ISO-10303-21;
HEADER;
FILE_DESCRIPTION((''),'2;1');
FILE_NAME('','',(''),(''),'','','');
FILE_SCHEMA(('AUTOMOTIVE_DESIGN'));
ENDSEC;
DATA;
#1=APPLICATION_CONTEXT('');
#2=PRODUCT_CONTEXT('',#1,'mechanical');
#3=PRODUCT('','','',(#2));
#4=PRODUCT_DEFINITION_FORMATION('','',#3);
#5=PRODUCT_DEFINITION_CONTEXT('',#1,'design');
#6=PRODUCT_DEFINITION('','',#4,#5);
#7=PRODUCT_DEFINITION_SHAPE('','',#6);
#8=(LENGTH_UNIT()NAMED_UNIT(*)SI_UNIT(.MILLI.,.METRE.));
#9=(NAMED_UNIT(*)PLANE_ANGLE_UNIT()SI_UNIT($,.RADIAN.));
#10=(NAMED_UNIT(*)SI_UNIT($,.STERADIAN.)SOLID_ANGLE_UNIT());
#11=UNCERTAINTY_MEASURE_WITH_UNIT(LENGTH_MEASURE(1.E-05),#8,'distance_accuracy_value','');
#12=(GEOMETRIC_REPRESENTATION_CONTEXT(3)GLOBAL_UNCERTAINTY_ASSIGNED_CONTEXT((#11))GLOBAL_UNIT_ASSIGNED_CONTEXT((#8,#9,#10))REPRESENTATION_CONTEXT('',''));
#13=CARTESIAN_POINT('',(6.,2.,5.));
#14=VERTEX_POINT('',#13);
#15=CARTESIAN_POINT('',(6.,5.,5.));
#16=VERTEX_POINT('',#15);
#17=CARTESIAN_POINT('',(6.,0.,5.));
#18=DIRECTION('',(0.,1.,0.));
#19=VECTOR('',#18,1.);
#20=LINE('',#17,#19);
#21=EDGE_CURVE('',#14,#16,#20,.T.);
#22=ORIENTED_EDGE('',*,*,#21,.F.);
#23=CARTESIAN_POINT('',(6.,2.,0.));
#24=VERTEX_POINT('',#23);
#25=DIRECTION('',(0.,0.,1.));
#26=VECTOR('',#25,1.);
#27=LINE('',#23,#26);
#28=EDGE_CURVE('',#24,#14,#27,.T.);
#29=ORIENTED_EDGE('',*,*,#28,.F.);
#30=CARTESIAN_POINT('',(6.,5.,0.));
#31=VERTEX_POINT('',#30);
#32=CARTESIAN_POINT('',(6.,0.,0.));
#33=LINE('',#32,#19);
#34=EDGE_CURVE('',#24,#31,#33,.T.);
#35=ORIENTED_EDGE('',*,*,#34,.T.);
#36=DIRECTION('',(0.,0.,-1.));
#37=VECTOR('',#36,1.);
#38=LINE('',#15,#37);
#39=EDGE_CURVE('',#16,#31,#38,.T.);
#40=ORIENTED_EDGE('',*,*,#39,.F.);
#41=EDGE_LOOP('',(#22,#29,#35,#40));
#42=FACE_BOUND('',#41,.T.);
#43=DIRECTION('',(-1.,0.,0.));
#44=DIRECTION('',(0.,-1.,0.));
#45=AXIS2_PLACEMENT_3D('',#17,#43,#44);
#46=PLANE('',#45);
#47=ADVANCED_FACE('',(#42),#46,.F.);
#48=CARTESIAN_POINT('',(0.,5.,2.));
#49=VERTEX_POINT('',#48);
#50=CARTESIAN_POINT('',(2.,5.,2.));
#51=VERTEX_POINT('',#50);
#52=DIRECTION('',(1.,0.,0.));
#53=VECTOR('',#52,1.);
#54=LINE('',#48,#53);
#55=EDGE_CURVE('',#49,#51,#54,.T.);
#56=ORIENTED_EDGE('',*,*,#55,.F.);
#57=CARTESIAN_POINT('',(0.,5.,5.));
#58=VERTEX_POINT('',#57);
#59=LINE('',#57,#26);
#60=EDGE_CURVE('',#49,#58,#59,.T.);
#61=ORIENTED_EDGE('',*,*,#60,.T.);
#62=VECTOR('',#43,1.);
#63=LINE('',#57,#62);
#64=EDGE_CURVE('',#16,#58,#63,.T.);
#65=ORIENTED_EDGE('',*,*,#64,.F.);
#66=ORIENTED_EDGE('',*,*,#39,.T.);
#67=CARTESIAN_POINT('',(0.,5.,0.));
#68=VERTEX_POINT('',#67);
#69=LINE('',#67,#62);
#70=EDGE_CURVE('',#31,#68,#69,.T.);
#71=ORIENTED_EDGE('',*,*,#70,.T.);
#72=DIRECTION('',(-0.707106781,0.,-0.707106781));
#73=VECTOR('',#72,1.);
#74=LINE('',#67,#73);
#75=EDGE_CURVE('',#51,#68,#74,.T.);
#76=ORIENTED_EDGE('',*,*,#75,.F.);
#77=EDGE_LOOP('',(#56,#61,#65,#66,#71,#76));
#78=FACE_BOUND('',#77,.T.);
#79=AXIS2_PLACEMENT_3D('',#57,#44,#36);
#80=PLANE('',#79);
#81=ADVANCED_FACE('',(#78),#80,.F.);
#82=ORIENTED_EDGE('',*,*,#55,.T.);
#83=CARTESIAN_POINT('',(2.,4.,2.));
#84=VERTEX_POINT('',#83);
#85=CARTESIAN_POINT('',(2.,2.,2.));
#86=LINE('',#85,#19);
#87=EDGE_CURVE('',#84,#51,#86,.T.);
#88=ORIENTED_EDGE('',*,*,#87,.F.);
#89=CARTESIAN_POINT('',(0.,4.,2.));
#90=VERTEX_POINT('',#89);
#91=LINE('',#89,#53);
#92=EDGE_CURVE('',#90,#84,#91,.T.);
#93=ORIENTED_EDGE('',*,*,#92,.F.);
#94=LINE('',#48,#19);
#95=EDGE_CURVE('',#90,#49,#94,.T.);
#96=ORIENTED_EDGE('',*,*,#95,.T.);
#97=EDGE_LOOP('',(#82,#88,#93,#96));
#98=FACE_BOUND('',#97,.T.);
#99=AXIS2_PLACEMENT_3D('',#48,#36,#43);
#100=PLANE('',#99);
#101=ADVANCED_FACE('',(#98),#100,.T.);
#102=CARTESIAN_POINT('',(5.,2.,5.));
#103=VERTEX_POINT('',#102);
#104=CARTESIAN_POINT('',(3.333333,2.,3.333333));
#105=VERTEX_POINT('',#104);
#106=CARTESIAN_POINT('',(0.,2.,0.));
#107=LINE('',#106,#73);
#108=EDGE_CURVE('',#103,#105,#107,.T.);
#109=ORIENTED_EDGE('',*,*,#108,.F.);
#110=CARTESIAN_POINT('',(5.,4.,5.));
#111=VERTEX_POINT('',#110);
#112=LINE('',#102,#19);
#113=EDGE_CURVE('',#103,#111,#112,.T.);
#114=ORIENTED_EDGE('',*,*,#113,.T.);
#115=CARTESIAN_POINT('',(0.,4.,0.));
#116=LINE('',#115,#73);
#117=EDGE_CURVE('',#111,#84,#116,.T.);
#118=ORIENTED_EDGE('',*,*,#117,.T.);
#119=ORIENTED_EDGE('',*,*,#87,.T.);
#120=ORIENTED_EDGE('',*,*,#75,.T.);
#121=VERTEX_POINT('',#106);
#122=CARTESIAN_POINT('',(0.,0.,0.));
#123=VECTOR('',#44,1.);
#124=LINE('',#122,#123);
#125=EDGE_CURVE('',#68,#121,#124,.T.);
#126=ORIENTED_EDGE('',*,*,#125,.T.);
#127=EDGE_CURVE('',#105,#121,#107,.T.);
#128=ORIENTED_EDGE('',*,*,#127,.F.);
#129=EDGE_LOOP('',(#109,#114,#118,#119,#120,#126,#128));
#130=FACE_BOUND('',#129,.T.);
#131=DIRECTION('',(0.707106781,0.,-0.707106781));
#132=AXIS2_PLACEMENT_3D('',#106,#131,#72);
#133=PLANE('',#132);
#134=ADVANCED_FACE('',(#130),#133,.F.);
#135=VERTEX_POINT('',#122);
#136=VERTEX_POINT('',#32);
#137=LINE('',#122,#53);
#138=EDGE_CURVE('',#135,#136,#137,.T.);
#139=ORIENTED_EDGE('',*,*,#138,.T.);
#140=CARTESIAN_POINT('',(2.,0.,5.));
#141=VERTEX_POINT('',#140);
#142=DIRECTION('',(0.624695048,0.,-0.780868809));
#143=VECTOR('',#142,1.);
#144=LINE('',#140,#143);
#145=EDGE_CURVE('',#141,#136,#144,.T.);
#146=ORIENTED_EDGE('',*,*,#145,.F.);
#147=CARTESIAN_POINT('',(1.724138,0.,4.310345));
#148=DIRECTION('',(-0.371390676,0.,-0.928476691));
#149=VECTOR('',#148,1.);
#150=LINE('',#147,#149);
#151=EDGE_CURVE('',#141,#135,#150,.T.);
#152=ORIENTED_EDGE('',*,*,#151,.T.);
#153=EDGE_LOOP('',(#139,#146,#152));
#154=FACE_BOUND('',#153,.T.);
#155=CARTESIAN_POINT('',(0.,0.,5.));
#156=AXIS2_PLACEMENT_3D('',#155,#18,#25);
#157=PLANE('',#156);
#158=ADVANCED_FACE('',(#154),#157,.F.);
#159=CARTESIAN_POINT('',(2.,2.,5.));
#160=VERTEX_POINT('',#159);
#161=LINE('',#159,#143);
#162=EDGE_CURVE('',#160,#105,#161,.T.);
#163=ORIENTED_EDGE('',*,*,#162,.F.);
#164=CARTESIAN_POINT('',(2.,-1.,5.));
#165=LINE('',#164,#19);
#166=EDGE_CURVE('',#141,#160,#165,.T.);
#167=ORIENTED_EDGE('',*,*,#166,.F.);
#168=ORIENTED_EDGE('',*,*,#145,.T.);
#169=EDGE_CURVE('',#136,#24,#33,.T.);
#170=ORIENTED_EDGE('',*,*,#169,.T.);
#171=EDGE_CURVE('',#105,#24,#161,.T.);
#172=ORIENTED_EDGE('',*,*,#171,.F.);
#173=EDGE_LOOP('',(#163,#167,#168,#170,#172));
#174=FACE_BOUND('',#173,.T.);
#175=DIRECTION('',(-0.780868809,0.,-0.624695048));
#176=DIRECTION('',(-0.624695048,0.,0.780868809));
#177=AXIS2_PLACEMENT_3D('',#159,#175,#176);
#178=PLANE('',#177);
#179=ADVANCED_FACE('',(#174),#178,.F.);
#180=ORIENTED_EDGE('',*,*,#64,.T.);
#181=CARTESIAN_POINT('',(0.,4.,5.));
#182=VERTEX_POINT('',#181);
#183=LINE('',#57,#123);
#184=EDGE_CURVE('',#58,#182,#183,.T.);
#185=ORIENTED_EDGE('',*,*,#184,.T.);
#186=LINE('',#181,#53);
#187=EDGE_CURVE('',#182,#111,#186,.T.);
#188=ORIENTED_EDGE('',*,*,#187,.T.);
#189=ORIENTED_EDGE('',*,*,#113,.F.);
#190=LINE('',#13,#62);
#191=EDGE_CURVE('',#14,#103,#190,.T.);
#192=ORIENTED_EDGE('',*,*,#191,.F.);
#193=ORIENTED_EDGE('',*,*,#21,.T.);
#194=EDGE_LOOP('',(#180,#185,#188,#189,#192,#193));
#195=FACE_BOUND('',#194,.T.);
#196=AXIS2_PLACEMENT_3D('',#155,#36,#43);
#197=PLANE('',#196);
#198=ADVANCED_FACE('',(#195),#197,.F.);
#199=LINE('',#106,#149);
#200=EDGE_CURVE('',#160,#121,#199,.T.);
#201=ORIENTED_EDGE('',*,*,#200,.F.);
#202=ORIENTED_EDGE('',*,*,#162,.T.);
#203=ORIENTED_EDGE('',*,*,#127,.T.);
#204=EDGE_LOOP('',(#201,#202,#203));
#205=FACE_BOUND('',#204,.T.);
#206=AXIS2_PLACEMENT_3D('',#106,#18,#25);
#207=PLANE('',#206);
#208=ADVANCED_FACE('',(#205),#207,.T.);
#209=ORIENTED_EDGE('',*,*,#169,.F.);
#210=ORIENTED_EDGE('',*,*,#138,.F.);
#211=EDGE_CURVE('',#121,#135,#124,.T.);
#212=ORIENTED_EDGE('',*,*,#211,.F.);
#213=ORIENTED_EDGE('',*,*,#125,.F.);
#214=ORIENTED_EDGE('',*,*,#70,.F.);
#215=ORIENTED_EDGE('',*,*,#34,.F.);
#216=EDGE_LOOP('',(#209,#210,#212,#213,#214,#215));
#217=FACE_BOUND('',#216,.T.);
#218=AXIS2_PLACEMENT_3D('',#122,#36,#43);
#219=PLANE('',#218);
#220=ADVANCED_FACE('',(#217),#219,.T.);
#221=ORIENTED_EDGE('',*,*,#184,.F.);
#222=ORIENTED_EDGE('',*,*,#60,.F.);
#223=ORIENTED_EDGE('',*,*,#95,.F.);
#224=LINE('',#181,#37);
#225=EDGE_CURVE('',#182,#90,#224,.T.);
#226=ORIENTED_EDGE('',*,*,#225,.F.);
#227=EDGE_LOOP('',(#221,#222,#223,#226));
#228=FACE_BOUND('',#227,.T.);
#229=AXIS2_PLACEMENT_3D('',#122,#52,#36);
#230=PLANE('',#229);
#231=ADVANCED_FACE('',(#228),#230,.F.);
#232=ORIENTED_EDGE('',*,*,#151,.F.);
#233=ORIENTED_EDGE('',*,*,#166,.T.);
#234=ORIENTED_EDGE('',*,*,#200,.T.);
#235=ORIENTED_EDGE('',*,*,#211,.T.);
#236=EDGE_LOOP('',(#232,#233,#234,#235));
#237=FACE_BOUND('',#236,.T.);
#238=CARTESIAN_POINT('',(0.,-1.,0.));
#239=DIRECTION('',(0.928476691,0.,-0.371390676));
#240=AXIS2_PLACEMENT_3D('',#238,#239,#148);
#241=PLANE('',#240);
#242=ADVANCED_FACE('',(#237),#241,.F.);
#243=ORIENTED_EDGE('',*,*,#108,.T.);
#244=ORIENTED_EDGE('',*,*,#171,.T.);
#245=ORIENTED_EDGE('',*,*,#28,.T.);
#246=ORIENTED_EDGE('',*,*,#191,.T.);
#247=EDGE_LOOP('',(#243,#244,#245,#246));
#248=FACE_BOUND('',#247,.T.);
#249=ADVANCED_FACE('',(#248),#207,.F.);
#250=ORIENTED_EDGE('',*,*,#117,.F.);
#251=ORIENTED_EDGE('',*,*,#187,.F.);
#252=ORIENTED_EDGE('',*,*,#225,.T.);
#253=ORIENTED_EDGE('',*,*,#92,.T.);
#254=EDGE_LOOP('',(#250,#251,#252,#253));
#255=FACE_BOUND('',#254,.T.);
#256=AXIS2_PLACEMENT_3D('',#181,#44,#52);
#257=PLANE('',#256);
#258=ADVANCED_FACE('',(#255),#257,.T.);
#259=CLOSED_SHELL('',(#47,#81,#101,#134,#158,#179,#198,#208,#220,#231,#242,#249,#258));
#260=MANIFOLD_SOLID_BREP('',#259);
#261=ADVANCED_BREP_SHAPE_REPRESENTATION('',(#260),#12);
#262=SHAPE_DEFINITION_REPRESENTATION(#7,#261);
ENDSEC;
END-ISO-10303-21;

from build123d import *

# Parameters (mm, degrees)
SKETCH3_W           = 6
SKETCH3_H           = 5
BOSS_EXTRUDE1_DEPTH = 5
CUT_EXTRUDE1_DEPTH  = 3
CUT_EXTRUDE2_DEPTH  = 3
SKETCH6_W           = 3
SKETCH6_H           = 1
BOSS_EXTRUDE2_DEPTH = 6
CUT_EXTRUDE3_DEPTH  = 2


with BuildPart() as part:
    # Sketch3 → Boss-Extrude1 (new body)
    with BuildSketch(Plane.XY):
        with Locations((3, 2.5)):
            Rectangle(SKETCH3_W, SKETCH3_H)
    extrude(amount=BOSS_EXTRUDE1_DEPTH)

    # Sketch4 → Cut-Extrude1 (cut)
    with BuildSketch(Plane(origin=(0, 5, 0), x_dir=(1, 0, 0), z_dir=(0, 1, 0))):
        Polygon((0, 0), (5, -5), (0, -5), align=None)
    extrude(amount=-CUT_EXTRUDE1_DEPTH, mode=Mode.SUBTRACT)

    # Sketch5 → Cut-Extrude2 (cut)
    with BuildSketch(Plane(origin=(0, 2, 0), x_dir=(1, 0, 0), z_dir=(0, 1, 0))):
        Polygon((0, 0), (2, -5), (0, -5), align=None)
    extrude(amount=-CUT_EXTRUDE2_DEPTH, mode=Mode.SUBTRACT)

    # Sketch6 → Boss-Extrude2 (add)
    with BuildSketch(Plane(origin=(6, 0, 0), x_dir=(0, 0, -1), z_dir=(1, 0, 0))):
        with Locations((-3.5, 4.5)):
            Rectangle(SKETCH6_W, SKETCH6_H)
    extrude(amount=-BOSS_EXTRUDE2_DEPTH)

    # Sketch7 → Cut-Extrude3 (cut)
    with BuildSketch(Plane.XZ):
        Polygon((2, 5), (6, 0), (6, 5), align=None)
    extrude(amount=-CUT_EXTRUDE3_DEPTH, mode=Mode.SUBTRACT)


solid = part.part
